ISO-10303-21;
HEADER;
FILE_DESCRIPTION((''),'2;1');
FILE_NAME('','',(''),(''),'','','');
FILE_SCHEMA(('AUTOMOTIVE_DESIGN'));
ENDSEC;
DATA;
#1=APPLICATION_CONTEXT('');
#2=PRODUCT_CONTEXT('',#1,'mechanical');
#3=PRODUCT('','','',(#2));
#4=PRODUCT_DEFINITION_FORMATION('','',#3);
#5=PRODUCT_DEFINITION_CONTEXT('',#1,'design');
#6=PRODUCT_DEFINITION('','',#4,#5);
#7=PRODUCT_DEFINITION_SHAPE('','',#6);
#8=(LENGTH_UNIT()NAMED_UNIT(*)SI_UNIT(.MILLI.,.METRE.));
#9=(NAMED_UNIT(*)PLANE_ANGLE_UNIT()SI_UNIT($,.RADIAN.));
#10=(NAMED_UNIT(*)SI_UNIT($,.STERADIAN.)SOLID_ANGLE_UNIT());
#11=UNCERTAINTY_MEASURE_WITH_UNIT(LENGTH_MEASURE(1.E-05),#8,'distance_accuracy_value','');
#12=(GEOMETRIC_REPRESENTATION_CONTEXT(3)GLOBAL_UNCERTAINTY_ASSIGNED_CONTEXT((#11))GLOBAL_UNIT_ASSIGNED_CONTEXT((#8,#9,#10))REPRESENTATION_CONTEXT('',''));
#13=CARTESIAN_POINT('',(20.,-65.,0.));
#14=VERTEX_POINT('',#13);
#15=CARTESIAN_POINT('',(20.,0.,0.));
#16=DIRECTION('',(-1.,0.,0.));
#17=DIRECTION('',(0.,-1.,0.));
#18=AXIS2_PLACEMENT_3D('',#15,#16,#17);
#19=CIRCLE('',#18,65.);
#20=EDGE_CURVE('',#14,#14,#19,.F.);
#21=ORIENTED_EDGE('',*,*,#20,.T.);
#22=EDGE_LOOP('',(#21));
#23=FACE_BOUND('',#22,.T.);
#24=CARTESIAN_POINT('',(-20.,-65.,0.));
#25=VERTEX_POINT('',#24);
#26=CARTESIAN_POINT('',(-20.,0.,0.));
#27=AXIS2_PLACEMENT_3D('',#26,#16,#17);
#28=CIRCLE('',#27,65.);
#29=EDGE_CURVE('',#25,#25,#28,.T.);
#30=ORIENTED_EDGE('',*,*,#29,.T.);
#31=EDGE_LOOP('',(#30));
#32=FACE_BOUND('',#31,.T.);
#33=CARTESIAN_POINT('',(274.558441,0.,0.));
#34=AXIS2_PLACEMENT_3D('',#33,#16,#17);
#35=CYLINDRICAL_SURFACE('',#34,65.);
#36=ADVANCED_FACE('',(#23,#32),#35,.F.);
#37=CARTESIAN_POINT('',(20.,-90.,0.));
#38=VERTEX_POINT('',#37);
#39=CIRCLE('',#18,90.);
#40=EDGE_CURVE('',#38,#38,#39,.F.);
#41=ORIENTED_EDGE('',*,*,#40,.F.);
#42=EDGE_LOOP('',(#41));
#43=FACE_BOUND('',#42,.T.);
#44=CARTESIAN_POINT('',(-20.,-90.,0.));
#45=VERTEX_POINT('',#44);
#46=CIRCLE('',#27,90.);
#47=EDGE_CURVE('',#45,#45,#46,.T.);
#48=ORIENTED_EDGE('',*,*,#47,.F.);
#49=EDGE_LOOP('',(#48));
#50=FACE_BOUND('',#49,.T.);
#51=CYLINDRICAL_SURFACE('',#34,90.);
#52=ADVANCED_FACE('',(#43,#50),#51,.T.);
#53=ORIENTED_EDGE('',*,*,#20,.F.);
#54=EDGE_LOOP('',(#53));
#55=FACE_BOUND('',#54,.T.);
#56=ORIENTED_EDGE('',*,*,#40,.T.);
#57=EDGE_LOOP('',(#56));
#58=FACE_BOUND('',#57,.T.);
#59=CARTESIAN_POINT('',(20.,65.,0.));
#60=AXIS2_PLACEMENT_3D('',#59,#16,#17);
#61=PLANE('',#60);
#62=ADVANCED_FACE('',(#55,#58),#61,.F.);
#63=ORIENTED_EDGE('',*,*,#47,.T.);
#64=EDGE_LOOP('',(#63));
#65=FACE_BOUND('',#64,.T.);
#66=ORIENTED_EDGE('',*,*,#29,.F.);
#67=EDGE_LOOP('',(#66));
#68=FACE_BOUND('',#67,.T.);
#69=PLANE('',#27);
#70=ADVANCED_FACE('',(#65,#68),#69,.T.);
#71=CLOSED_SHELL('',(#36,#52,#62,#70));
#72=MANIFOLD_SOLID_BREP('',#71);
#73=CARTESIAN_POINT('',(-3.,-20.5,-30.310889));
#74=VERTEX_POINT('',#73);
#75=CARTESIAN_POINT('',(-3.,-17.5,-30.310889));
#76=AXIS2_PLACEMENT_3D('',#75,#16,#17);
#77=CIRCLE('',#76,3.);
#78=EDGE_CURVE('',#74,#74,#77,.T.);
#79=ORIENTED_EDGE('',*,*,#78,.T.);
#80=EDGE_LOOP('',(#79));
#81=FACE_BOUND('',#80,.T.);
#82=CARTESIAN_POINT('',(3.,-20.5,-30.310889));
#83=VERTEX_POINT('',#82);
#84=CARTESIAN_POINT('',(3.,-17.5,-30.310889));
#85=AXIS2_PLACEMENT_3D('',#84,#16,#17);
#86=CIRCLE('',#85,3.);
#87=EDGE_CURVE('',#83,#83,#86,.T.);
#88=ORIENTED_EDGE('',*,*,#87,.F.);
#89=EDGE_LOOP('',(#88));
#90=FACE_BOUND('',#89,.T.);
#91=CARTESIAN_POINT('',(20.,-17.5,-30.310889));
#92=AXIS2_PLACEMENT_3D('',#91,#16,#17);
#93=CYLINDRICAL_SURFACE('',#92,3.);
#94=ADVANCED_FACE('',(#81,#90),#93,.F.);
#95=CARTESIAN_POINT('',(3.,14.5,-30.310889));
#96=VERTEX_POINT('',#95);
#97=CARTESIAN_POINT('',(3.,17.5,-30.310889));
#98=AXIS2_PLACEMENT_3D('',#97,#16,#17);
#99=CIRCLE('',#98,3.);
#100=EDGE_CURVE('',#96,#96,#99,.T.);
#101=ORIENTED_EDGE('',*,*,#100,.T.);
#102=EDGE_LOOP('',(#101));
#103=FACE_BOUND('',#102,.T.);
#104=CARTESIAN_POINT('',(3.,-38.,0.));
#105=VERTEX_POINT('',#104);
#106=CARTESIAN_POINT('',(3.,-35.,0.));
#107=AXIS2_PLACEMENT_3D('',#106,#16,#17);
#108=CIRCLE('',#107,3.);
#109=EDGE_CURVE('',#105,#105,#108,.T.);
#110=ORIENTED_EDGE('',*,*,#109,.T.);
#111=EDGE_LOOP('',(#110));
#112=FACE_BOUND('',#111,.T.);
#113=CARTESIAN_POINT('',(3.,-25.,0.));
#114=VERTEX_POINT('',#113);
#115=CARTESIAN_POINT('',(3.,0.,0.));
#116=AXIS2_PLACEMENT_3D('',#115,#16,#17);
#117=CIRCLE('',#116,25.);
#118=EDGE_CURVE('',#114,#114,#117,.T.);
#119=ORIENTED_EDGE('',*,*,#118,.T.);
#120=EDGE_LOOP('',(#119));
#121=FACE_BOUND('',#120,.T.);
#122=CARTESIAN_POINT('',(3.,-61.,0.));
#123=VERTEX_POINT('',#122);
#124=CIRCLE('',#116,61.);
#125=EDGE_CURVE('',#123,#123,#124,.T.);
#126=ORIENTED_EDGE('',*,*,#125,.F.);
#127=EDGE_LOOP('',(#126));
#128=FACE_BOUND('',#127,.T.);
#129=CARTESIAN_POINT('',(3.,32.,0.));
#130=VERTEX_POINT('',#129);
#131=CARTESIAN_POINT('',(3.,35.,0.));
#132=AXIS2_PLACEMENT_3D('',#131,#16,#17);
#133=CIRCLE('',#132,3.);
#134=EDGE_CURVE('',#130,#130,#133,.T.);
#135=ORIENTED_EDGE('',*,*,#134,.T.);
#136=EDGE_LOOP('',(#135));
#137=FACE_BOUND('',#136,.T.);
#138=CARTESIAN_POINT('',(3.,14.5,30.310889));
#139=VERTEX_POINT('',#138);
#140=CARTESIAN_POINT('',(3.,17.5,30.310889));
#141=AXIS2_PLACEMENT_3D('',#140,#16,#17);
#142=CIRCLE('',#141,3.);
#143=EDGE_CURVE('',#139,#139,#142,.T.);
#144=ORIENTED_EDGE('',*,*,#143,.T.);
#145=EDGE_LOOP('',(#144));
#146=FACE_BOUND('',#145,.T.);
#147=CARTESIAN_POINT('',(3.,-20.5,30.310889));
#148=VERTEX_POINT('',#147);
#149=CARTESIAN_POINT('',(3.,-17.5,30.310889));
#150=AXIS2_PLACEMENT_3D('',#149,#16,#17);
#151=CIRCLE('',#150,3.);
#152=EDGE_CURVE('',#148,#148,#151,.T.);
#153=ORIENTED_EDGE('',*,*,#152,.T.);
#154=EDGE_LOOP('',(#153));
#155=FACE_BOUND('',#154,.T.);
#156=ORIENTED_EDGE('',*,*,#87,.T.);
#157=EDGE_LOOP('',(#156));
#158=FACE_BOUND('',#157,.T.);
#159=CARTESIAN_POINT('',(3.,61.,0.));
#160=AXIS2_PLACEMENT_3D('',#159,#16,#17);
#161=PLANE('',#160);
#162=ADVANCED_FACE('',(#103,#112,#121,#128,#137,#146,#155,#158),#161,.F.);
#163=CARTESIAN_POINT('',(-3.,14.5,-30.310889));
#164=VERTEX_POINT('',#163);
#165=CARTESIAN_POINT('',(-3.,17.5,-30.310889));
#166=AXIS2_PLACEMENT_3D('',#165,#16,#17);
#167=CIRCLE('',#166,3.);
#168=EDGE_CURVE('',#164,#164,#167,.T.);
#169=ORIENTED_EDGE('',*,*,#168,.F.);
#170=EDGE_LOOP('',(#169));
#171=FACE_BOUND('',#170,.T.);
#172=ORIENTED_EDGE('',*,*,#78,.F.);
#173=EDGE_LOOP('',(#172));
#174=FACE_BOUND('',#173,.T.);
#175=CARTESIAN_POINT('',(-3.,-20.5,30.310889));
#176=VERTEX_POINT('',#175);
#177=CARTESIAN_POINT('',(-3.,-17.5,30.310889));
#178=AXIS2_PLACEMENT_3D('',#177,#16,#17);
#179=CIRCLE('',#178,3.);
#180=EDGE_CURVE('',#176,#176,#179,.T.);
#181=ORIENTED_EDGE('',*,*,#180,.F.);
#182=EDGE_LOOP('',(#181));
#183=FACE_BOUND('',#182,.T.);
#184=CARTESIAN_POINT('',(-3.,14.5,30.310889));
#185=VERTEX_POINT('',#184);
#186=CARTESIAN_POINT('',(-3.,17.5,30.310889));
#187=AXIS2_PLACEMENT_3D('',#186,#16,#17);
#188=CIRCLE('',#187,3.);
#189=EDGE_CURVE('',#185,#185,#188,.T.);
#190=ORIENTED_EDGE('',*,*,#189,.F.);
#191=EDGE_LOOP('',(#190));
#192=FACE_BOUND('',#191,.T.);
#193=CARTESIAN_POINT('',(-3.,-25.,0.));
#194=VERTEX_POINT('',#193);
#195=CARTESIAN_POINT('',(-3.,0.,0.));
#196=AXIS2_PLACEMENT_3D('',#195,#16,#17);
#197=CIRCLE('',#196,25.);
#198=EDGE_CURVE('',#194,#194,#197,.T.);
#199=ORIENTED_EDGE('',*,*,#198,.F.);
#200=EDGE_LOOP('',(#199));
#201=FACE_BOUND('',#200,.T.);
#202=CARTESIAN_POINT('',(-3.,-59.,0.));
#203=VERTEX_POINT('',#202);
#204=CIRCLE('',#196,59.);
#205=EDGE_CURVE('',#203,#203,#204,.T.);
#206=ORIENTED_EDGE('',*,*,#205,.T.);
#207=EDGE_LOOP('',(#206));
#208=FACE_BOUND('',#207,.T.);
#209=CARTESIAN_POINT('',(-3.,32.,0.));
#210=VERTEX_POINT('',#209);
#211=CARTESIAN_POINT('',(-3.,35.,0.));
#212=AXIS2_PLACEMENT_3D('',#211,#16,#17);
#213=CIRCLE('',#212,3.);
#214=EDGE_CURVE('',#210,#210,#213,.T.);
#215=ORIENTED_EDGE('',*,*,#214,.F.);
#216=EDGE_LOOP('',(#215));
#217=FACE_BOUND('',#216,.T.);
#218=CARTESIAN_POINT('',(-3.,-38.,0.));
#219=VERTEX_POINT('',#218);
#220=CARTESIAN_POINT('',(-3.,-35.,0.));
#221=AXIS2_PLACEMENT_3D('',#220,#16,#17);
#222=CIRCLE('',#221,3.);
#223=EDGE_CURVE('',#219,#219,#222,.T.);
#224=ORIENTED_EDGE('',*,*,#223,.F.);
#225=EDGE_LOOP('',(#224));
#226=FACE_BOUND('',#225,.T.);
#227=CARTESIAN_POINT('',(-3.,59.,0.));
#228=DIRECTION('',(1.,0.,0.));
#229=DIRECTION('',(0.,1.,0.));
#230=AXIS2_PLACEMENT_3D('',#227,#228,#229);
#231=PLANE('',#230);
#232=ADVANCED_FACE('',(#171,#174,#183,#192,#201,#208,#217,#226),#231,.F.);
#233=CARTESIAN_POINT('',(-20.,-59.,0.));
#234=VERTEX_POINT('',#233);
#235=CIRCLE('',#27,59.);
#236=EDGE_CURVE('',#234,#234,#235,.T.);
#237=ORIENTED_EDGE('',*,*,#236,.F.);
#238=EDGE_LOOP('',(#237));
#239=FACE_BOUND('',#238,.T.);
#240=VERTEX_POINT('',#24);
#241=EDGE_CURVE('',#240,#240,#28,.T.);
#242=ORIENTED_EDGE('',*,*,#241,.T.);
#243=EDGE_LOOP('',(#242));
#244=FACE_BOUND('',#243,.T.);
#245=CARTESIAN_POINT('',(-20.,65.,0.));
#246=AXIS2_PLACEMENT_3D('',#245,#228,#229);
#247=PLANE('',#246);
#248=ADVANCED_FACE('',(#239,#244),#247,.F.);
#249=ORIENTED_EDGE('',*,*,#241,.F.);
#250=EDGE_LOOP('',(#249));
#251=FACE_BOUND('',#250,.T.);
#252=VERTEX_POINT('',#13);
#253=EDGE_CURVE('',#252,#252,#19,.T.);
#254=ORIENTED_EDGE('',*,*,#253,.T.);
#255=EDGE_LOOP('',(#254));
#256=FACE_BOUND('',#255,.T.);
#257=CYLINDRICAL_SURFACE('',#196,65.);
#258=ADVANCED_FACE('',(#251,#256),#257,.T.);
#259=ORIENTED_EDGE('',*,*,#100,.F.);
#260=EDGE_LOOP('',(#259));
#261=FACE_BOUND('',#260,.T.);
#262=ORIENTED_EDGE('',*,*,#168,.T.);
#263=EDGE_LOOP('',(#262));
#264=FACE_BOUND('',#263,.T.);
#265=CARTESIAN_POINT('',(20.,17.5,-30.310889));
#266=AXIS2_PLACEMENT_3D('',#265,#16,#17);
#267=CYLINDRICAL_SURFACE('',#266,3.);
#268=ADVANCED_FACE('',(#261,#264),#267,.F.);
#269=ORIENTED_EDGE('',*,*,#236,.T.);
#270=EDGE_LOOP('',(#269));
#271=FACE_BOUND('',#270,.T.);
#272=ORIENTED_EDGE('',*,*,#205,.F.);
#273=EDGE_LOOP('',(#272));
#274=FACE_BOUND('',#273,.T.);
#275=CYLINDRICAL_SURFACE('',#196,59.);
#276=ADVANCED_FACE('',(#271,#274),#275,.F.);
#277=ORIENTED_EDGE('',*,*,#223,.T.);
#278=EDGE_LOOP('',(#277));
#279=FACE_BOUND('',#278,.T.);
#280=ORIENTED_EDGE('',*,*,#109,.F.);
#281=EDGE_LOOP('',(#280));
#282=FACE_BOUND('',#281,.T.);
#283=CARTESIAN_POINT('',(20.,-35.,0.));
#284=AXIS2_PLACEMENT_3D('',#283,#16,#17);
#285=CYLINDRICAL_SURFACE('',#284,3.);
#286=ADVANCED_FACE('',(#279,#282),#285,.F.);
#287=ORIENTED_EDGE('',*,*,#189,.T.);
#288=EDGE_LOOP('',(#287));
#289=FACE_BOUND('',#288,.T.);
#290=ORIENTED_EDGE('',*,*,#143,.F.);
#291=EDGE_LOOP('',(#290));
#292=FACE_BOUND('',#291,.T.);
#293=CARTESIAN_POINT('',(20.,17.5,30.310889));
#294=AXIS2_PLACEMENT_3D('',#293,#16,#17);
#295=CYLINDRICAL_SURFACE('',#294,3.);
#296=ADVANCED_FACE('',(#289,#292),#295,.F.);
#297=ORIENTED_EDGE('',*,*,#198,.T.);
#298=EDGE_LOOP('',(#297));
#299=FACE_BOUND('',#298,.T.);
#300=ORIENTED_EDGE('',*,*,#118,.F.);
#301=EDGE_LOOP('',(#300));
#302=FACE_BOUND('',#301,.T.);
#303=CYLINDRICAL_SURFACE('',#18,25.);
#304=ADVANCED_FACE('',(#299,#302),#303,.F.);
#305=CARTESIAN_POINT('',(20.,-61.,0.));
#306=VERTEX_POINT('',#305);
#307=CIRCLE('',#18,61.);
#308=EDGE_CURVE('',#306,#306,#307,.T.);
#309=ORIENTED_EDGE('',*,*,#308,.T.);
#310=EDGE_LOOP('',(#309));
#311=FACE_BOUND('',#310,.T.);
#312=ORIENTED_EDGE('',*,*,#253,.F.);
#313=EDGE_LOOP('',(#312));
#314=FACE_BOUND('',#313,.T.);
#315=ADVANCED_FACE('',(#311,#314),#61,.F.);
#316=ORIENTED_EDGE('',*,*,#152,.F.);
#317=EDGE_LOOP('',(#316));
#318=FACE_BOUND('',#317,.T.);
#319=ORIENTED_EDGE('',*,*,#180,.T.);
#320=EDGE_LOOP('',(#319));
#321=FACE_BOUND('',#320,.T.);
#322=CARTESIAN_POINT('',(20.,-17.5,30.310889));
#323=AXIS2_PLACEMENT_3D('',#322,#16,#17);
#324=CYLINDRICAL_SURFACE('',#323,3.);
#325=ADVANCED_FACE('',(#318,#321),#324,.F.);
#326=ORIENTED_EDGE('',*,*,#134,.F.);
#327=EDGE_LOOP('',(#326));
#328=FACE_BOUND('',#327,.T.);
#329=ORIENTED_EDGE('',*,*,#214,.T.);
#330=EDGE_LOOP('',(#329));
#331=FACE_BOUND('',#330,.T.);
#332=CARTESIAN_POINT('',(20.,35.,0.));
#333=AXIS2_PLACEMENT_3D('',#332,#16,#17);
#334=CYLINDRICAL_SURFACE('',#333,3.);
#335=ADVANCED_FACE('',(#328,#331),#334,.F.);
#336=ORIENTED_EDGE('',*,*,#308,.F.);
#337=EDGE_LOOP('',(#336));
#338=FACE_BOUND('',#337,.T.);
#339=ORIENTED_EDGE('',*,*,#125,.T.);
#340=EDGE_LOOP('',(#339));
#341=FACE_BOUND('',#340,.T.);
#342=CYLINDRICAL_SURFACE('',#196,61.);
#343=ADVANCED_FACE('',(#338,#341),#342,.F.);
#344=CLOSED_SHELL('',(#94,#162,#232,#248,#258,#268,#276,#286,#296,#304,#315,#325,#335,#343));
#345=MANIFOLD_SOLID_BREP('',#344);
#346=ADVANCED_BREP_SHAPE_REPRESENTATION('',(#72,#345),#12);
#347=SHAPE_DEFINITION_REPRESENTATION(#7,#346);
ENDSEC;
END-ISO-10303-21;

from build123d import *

# Parameters (mm, degrees)
SKETCH2_R           = 25
SKETCH2_R_2         = 3
CUT_EXTRUDE1_DEPTH  = 95.757585448
SKETCH4_R           = 90
SKETCH4_R_2         = 65
BOSS_EXTRUDE1_DEPTH = 40


with BuildPart() as part:
    # Sketch1 → Revolve1 (revolve)
    with BuildSketch(Plane.XY, mode=Mode.PRIVATE) as revolve1_sk:
        Polygon((0, 65), (-20, 65), (-20, 59), (-3, 59), (-3, 0), (3, 0), (3, 61), (20, 61), (20, 65), align=None)
    revolve(revolve1_sk.sketch.rotate(Axis((-3, 0, 0), (1, 0, 0)), 180), axis=Axis((-3, 0, 0), (1, 0, 0)))

    # Sketch2 → Cut-Extrude1 (cut, through all)
    with BuildSketch(Plane.ZY.offset(3)):
        with Locations(Location((0, 0, 0), (0, 0, 270))):
            Circle(SKETCH2_R)
        with Locations(Location((0, 35, 0), (0, 0, 270))):
            Circle(SKETCH2_R_2)
        with Locations(Location((30.310889132, 17.5, 0), (0, 0, 270))):
            Circle(SKETCH2_R_2)
        with Locations(Location((30.310889132, -17.5, 0), (0, 0, 270))):
            Circle(SKETCH2_R_2)
        with Locations(Location((0, -35, 0), (0, 0, 270))):
            Circle(SKETCH2_R_2)
        with Locations(Location((-30.310889132, -17.5, 0), (0, 0, 270))):
            Circle(SKETCH2_R_2)
        with Locations(Location((-30.310889132, 17.5, 0), (0, 0, 270))):
            Circle(SKETCH2_R_2)
    extrude(amount=-CUT_EXTRUDE1_DEPTH, mode=Mode.SUBTRACT)


with BuildPart() as body_2:
    # Sketch4 → Boss-Extrude1 (new body)
    with BuildSketch(Plane.ZY.offset(20)):
        with Locations(Location((0, 0, 0), (0, 0, 270))):
            Circle(SKETCH4_R)
        with Locations(Location((0, 0, 0), (0, 0, 270))):
            Circle(SKETCH4_R_2, mode=Mode.SUBTRACT)
    extrude(amount=-BOSS_EXTRUDE1_DEPTH)


solid = Compound([part.part, body_2.part])
